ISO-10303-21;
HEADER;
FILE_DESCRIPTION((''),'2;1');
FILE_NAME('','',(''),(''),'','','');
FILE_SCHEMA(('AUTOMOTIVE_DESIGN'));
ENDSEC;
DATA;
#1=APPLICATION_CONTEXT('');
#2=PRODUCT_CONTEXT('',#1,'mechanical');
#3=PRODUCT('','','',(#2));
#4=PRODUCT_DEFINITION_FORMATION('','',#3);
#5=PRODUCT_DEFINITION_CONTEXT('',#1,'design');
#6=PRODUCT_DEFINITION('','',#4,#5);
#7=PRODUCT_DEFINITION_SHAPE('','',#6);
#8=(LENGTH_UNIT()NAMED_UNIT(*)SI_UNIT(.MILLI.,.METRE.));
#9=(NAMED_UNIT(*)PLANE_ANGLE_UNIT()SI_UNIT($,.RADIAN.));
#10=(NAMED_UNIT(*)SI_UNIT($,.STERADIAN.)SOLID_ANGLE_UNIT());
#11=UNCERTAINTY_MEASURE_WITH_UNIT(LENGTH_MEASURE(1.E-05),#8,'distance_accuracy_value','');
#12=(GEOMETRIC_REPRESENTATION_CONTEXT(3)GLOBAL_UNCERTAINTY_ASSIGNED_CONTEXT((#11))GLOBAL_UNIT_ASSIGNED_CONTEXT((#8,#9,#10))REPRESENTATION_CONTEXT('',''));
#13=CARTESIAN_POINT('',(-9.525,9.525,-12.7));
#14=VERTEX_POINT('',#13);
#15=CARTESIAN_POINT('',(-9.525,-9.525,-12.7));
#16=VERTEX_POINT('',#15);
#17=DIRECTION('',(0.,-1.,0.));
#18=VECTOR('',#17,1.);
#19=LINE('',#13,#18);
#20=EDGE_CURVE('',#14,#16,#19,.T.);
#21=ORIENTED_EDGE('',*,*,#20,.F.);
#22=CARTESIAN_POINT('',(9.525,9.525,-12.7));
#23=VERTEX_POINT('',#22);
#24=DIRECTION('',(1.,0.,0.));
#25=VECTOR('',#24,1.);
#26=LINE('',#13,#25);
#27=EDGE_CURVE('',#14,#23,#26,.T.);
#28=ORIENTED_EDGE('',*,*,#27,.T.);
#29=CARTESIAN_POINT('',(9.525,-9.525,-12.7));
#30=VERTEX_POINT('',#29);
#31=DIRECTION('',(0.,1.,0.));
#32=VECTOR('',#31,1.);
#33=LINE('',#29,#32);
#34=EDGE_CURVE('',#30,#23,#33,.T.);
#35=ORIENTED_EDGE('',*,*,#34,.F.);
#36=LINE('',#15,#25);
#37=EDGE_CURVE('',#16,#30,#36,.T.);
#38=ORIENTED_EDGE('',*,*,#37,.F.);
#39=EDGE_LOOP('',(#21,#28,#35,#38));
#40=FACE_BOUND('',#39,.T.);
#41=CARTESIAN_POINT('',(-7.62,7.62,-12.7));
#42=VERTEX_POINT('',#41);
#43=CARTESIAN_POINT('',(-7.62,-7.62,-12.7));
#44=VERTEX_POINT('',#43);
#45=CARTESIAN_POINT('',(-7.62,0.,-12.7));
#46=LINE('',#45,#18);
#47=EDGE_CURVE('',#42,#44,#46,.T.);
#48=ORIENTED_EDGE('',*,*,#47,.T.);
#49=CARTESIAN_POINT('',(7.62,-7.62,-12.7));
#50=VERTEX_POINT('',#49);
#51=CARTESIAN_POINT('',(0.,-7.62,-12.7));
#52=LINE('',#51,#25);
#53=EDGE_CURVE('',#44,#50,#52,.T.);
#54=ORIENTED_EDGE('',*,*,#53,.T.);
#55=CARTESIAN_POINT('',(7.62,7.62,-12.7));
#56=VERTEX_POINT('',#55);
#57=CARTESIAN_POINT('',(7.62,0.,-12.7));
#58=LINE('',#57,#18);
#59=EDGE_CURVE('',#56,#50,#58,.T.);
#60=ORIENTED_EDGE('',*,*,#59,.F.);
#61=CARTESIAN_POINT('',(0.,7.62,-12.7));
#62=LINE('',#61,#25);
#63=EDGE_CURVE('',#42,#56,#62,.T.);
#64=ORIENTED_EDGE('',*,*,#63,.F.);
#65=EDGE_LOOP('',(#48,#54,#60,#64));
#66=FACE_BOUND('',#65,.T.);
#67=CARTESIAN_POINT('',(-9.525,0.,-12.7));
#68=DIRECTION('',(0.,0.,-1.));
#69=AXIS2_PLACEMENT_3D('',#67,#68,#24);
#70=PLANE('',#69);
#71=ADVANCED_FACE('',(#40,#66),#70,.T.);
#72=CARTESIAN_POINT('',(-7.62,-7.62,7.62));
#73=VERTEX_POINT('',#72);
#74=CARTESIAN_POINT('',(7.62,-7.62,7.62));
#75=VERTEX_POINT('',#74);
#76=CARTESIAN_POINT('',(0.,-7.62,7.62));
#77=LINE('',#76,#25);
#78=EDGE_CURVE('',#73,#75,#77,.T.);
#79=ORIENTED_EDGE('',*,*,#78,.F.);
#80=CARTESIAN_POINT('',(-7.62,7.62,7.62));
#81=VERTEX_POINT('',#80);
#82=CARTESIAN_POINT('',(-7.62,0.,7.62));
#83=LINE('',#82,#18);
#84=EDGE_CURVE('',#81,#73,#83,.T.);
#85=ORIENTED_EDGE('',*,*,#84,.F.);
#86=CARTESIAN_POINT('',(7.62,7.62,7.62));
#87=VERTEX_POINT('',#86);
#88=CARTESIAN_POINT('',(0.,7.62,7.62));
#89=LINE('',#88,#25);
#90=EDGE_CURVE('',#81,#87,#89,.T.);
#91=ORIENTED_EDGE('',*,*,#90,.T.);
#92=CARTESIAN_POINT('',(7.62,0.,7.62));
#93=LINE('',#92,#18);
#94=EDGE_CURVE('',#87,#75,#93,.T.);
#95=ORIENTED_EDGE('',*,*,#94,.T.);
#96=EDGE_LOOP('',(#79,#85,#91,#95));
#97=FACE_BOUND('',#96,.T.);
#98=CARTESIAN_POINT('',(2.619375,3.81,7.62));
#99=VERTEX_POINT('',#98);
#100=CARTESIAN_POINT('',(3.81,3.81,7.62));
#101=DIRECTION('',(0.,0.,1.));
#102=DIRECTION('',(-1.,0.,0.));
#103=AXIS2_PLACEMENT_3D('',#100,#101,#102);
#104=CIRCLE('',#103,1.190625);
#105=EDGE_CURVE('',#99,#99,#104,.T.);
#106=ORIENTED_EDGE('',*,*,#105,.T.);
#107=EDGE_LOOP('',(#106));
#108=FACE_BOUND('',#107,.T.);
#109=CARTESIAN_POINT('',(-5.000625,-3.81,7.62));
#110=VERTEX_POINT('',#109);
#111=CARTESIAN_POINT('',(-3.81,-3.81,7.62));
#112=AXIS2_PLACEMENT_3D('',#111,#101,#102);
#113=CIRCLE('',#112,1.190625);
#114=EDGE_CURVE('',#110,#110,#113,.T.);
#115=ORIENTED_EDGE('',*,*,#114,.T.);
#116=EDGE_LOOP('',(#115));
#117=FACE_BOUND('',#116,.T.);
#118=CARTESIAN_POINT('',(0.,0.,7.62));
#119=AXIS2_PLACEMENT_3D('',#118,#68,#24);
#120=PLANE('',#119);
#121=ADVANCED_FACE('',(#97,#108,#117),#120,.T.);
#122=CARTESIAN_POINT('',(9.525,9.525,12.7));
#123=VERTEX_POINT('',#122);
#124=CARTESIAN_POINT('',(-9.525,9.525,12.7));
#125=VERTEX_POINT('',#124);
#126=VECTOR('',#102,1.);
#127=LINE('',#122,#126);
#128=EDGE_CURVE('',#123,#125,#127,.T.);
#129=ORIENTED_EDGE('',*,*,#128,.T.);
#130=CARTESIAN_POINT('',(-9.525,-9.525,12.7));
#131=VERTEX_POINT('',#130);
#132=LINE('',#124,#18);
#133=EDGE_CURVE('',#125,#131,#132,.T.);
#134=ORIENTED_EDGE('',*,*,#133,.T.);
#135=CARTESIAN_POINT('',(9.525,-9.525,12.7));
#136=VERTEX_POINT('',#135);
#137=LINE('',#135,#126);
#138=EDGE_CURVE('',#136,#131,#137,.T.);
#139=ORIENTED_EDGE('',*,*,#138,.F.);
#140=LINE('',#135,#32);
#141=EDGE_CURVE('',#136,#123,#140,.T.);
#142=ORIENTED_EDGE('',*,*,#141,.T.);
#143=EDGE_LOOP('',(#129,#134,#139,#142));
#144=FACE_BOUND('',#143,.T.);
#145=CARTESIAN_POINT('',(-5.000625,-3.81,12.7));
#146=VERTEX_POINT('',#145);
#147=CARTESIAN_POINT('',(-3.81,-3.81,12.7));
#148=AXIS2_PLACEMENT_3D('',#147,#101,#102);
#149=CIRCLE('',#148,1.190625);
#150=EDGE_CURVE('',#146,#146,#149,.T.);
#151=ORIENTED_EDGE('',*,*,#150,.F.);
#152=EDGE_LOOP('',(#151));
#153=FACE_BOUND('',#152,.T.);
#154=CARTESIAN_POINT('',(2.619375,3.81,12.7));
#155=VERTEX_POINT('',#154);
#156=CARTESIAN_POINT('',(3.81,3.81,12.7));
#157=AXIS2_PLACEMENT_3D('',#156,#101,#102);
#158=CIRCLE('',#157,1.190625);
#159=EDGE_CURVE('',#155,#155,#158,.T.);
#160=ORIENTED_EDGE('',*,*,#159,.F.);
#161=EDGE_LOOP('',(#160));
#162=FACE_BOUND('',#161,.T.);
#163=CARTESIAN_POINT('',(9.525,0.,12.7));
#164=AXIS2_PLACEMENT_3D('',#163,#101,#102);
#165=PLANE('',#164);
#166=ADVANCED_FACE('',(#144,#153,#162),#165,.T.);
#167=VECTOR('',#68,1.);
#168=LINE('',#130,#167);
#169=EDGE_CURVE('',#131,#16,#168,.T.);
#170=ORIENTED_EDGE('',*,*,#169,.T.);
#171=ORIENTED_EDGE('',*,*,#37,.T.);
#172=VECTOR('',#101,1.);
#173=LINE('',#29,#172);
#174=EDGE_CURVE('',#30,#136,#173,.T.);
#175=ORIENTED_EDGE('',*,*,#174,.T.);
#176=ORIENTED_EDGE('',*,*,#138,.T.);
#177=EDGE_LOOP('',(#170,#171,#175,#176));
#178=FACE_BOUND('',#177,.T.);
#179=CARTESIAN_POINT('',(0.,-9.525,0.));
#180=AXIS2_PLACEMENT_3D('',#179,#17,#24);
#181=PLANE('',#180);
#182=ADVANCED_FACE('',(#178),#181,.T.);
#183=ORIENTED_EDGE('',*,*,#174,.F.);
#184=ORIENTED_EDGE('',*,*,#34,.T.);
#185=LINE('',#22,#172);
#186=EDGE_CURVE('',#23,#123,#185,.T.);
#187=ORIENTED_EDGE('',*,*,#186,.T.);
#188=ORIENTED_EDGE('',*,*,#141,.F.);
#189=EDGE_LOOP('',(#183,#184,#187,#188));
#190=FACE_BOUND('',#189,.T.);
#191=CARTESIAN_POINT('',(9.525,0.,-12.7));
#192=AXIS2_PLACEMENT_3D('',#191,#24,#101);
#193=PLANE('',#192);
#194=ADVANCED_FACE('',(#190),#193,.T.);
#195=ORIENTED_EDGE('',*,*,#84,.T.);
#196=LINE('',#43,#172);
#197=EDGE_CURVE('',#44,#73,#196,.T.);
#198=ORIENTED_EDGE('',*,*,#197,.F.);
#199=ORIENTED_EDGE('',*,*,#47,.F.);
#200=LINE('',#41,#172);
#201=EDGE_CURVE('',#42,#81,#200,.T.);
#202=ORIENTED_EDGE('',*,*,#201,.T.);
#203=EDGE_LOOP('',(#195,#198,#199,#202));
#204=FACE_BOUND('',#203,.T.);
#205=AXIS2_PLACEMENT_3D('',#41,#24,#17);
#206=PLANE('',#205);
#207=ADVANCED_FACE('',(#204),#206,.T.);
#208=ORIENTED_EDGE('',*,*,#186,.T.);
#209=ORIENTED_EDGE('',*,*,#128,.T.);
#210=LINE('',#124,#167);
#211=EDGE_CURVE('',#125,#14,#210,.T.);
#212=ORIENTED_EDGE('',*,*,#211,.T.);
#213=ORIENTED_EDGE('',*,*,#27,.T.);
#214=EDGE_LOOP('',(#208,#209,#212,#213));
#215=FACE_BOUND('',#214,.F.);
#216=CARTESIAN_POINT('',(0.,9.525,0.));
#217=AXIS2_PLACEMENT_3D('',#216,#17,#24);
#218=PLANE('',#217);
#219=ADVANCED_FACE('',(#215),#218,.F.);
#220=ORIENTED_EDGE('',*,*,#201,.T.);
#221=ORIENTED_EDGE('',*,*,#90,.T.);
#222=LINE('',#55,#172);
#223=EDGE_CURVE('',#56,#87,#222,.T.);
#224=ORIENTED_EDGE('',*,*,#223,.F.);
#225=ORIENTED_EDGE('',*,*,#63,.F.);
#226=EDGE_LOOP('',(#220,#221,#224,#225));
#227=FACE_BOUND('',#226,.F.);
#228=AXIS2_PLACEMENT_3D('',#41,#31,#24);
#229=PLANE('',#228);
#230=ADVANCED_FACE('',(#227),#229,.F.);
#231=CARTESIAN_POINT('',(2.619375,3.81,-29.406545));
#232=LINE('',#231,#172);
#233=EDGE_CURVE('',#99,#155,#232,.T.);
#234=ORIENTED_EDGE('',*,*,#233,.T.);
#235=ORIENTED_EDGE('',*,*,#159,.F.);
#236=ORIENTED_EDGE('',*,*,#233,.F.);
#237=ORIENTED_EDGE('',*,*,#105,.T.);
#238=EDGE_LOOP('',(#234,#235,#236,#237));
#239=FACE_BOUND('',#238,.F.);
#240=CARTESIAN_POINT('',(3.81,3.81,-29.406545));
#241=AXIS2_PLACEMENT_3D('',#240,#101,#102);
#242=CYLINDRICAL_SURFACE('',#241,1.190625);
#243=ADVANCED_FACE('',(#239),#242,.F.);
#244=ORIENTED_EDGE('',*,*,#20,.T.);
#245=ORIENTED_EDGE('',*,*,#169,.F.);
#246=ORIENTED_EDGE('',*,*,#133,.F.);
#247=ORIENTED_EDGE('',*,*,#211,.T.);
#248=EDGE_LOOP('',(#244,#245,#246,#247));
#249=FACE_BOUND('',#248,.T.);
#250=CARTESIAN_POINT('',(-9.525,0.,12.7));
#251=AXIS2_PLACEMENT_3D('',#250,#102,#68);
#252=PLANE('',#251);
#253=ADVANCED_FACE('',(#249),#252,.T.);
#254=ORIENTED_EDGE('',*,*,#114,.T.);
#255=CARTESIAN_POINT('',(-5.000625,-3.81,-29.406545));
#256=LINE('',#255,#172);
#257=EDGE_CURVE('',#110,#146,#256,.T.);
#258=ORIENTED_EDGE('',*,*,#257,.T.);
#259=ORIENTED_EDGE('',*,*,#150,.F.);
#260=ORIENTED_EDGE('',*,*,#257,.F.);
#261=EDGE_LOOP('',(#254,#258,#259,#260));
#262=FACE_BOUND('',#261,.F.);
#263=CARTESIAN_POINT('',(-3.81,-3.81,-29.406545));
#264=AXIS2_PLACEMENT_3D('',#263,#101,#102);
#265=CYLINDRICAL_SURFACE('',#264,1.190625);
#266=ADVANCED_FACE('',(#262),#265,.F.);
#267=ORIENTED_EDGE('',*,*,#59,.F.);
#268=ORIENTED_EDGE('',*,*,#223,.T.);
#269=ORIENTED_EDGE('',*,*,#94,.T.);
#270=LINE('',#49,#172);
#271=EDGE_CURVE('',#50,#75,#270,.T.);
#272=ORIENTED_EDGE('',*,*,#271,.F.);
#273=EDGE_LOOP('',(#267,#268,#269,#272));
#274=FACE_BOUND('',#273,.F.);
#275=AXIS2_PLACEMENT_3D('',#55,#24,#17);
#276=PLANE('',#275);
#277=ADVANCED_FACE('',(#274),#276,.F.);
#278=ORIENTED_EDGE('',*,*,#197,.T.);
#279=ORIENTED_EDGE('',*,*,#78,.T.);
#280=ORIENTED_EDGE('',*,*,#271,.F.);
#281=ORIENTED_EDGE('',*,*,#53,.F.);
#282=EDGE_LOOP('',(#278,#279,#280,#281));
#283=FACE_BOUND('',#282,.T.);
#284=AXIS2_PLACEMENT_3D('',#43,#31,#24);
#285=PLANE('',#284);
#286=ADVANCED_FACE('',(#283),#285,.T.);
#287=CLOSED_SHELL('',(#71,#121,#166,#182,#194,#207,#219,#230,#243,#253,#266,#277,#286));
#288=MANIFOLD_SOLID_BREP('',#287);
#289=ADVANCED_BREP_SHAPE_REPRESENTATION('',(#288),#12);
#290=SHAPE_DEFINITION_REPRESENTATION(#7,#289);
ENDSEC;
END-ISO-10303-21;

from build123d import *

# Parameters (mm, degrees)
F1_DEPTH = 9.525
F2_W     = 15.24
F2_H     = 15.24
F3_DEPTH = 20.32
F5_D     = 2.38125


with BuildPart() as f1:
    # F0 (on Front) → F1 (new body, symmetric)
    with BuildSketch(Plane.XZ):
        Polygon((9.525, 12.7), (-9.525, 12.7), (-9.525, -12.7), (9.525, -12.7), (9.525, 7.62), align=None)
    extrude(amount=F1_DEPTH, both=True)

    # F2 (on face) → F3 (cut)
    with BuildSketch(Plane(origin=(0, 0, -12.7), x_dir=(1, 0, 0), z_dir=(0, 0, -1))):
        Rectangle(F2_W, F2_H)
    extrude(amount=-F3_DEPTH, mode=Mode.SUBTRACT)

    # F5 (through all)
    with Locations(Plane(origin=(0, 0, 7.62), x_dir=(1, 0, 0), z_dir=(0, 0, -1))):
        with Locations((-3.81, 3.81), (3.81, -3.81)):
            Hole(F5_D / 2)


solid = f1.part
